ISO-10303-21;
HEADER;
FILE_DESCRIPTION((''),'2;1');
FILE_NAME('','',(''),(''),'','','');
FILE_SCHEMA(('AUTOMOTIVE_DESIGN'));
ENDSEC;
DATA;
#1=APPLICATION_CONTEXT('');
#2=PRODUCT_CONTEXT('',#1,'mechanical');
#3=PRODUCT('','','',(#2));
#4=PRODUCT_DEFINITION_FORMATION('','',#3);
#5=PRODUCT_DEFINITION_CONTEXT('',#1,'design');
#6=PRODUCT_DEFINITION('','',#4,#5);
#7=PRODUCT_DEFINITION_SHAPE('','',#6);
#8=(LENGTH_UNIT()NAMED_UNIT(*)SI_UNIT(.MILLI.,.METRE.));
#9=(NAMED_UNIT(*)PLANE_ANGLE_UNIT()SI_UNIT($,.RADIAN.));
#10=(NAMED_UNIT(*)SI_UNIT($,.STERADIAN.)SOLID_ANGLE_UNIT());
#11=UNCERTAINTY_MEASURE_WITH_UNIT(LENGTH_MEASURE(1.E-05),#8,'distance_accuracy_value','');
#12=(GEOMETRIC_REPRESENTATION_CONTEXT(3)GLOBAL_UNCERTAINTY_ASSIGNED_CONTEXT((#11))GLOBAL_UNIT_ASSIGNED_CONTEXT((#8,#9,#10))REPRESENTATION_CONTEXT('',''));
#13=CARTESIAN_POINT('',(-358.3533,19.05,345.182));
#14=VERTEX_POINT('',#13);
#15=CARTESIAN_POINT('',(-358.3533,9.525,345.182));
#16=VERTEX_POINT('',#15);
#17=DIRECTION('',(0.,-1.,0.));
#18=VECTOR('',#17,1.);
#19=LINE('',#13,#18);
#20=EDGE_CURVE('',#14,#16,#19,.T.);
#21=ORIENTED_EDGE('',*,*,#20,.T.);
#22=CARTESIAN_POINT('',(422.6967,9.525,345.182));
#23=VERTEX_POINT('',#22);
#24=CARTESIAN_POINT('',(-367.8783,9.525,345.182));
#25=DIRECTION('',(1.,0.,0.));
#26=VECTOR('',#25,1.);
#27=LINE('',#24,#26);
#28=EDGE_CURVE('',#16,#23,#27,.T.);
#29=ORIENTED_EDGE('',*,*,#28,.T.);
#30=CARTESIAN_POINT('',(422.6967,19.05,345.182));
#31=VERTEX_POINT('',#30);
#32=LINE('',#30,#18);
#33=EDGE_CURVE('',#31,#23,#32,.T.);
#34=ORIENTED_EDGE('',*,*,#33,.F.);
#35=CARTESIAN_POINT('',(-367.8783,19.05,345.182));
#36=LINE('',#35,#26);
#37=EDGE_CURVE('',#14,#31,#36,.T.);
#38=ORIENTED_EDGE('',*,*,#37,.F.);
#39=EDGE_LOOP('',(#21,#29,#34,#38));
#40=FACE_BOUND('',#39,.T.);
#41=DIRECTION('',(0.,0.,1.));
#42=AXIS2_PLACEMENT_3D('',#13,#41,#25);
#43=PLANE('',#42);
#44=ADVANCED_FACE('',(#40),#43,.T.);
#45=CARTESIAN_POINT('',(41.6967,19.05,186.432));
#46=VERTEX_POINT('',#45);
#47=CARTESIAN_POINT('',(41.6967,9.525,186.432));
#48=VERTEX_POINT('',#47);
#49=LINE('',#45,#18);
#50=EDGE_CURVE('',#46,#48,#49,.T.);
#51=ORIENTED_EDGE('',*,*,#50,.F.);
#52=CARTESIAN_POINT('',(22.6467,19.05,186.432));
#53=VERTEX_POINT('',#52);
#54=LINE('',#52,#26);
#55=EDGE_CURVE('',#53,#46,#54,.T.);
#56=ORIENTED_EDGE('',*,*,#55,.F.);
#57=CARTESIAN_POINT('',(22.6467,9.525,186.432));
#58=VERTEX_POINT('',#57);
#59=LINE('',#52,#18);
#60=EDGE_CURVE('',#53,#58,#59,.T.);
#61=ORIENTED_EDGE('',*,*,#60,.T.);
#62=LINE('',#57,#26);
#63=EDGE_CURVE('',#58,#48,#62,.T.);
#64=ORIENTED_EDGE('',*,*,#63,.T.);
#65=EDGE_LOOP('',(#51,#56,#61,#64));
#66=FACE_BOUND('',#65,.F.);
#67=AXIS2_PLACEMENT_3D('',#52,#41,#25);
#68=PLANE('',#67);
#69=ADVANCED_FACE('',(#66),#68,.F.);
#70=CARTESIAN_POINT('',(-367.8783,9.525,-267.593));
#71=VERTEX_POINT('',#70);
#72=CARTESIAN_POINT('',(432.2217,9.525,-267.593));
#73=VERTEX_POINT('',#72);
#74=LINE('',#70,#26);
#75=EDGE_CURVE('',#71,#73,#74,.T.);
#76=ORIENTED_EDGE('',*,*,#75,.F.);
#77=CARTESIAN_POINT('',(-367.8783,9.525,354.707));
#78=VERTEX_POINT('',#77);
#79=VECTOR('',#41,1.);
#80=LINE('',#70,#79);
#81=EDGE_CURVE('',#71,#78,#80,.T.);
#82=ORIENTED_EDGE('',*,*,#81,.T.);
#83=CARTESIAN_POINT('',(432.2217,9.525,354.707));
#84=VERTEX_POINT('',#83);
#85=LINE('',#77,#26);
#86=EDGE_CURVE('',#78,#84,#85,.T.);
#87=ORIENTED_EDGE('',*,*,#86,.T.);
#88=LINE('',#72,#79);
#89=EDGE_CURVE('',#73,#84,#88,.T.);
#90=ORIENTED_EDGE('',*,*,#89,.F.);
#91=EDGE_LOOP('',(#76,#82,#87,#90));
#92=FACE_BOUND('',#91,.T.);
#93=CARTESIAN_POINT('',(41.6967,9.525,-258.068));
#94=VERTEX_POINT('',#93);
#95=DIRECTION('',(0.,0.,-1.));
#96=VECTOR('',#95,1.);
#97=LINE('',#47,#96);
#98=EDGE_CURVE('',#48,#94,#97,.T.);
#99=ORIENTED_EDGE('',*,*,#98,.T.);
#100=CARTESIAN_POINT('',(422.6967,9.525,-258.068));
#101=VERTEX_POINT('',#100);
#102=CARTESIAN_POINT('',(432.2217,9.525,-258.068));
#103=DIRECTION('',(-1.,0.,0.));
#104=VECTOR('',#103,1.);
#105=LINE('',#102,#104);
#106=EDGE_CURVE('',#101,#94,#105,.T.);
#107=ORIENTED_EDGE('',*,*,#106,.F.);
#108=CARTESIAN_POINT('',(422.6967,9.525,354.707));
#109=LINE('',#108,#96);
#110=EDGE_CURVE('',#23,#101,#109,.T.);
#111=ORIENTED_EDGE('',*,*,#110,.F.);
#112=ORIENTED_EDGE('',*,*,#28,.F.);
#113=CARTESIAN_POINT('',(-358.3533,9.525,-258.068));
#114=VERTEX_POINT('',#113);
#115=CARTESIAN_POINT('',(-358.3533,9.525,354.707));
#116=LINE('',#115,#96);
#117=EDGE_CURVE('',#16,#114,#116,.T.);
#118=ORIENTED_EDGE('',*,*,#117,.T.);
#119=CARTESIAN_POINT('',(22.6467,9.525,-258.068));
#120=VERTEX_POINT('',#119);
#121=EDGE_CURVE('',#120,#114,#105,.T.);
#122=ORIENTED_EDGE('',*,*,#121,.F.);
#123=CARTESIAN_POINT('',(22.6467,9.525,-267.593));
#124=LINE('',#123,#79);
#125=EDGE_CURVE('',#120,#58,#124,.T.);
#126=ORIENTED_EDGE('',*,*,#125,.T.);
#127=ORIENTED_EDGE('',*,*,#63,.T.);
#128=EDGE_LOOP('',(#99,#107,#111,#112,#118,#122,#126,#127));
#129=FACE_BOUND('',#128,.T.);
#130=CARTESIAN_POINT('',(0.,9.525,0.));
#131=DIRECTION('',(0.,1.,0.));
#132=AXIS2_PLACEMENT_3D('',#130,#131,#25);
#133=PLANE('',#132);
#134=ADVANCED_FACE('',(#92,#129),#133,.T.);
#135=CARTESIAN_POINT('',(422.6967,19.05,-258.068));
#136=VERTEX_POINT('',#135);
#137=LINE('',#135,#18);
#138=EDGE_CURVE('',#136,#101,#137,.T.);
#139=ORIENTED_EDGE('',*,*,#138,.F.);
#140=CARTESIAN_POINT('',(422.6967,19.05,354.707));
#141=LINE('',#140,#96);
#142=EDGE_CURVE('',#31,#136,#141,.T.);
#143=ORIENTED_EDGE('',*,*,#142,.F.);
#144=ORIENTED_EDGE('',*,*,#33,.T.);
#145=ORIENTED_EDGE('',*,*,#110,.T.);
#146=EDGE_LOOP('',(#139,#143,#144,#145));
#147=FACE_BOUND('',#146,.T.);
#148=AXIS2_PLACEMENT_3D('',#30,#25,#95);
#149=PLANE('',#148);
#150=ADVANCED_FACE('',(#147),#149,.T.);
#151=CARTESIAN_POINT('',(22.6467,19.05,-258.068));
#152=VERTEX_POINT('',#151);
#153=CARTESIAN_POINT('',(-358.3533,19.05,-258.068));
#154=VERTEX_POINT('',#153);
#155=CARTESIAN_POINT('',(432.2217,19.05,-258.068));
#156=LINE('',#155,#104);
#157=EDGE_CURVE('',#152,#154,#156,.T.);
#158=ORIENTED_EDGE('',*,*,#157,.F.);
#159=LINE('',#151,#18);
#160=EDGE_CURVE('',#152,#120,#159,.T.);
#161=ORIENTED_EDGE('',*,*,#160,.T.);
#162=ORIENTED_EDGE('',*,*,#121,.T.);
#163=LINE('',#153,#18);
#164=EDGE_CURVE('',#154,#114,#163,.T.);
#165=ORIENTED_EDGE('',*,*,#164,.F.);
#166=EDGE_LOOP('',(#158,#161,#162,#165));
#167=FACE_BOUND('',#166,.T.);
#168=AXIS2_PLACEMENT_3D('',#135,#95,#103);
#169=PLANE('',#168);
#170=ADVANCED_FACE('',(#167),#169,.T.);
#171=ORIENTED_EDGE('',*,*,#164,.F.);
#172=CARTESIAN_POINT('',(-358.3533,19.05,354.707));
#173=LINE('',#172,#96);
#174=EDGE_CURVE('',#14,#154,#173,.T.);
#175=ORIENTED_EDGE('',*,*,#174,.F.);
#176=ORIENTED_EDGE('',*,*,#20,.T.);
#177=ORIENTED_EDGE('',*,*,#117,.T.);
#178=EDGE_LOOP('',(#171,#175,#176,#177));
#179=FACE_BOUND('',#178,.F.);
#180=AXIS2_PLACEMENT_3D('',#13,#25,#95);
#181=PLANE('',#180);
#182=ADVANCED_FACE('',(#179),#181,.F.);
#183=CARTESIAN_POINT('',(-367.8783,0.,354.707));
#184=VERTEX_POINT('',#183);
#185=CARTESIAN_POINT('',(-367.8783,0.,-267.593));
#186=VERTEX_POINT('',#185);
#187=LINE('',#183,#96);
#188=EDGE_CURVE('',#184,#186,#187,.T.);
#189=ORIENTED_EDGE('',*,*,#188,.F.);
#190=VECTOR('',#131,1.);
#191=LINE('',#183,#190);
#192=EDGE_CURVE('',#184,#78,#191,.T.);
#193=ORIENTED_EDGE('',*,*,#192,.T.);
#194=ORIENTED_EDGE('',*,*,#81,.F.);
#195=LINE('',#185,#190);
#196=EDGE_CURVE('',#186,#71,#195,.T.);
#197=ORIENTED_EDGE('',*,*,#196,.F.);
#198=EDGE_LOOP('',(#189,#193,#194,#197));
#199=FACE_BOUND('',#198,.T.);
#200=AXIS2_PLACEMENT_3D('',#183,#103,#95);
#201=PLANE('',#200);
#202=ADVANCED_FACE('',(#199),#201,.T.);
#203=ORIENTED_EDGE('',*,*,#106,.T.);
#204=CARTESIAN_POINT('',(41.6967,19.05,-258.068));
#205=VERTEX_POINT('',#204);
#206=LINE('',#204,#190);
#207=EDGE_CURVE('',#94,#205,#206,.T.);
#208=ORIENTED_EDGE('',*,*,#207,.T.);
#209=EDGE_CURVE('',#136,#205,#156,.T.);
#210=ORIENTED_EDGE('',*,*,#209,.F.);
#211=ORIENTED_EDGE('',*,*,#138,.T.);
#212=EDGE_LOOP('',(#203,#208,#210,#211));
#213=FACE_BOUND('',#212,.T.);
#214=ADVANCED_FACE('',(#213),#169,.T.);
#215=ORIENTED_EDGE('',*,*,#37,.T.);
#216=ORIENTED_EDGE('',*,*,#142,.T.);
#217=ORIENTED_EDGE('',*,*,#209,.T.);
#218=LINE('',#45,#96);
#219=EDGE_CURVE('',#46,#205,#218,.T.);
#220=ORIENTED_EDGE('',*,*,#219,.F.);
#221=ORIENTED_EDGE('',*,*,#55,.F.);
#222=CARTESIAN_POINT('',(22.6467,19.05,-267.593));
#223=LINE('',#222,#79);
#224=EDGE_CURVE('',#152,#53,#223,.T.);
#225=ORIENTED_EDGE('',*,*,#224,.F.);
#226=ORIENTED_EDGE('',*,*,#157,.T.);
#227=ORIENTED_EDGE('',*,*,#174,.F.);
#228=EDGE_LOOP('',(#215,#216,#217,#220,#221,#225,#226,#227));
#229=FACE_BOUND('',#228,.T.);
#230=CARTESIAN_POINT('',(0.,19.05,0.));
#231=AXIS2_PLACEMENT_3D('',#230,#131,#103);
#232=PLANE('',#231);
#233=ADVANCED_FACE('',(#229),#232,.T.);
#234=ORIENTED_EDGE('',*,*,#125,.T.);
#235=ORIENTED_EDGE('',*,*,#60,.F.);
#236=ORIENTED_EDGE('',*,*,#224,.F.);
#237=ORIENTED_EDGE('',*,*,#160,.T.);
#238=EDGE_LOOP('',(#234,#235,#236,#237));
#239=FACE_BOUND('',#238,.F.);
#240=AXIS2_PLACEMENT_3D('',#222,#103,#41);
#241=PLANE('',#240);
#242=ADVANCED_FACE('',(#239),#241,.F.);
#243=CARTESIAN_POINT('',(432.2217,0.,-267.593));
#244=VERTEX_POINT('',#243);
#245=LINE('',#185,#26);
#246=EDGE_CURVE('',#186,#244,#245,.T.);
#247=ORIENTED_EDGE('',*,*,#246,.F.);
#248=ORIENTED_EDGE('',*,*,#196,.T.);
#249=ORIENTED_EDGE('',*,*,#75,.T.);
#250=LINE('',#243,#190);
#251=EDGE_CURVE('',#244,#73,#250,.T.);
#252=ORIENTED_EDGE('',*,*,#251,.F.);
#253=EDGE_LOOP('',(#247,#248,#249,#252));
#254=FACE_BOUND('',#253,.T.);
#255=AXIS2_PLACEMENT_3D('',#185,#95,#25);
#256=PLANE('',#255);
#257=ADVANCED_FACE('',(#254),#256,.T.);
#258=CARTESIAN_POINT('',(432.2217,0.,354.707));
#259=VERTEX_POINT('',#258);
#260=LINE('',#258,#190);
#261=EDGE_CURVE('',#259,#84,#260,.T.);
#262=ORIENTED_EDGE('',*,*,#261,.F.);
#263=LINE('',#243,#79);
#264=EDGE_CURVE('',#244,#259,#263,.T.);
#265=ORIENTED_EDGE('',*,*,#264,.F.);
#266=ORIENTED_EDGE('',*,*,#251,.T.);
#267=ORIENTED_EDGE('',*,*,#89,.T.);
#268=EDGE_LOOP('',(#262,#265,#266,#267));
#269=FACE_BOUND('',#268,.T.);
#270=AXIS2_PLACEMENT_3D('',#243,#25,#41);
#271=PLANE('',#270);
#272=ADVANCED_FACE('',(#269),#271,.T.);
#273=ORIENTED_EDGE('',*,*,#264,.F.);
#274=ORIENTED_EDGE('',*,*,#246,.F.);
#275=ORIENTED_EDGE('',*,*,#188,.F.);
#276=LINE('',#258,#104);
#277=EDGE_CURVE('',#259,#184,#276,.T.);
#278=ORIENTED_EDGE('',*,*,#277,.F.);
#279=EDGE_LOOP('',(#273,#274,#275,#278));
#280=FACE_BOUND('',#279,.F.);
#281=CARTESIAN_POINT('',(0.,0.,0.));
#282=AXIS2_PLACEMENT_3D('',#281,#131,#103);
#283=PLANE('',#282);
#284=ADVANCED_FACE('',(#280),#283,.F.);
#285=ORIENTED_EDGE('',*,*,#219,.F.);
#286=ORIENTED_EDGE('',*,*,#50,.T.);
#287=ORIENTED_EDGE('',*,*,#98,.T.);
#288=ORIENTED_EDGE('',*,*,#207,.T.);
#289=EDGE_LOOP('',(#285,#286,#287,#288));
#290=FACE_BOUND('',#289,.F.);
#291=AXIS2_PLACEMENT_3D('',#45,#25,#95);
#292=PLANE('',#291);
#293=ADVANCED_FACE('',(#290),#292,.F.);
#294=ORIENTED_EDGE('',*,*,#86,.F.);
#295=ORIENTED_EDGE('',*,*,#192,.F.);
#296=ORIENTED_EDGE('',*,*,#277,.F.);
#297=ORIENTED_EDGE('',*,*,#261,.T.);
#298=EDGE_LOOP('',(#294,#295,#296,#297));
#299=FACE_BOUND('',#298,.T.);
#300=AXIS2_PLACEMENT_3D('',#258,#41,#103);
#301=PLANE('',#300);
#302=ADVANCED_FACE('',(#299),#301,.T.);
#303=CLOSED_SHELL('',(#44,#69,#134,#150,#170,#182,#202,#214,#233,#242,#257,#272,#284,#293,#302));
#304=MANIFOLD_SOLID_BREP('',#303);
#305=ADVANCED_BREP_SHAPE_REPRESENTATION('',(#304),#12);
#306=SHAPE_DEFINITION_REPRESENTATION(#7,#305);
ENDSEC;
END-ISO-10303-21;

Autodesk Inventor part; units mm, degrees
ref_plane "YZ Plane" through (0, 0, 0) normal (1, 0, 0) x (0, 1, 0)
ref_plane "XZ Plane" through (0, 0, 0) normal (0, 1, 0) x (-1, 0, 0)
ref_plane "XY Plane" through (0, 0, 0) normal (0, 0, 1) x (1, 0, 0)
sketch "Sketch1" plane through (0, 0, 0) normal (0, 1, 0) x (-1, 0, 0)
  line L0 (367.8783, -267.593) -> (-432.2217, -267.593)
  line L1 (-432.2217, -267.593) -> (-432.2217, 354.707)
  line L2 (-432.2217, 354.707) -> (367.8783, 354.707)
  line L3 (367.8783, 354.707) -> (367.8783, -267.593)
  point P0 (0, 0)
  dimension "d0" = 622.3
  dimension "d1" = 800.1
extrude "Board" add sketch "Sketch1" along normal blind 19.05
sketch "Sketch3" plane through (0, 19.05, 0) normal (0, 1, 0) x (1, 0, 0)
  line L0 (432.2217, -354.707) -> (432.2217, 267.593) projected
  line L1 (22.6467, -186.432) -> (41.6967, -186.432)
  line L2 (41.6967, -186.432) -> (41.6967, 267.593)
  line L3 (41.6967, 267.593) -> (22.6467, 267.593)
  line L4 (22.6467, 267.593) -> (22.6467, -186.432)
  line L5 (432.2217, 267.593) -> (-367.8783, 267.593) projected
  line L6 (-367.8783, 267.593) -> (-367.8783, -354.707) projected
  point P0 (0, 0)
  dimension "d17" = 19.05
  dimension "d26" = 454.025
  dimension "d27" = 390.525
extrude "Vertical Wall Dado Cuts" cut sketch "Sketch3" against normal blind 9.525
sketch "Sketch5" plane through (0, 19.05, 0) normal (0, 1, 0) x (1, 0, 0)
  line L0 (-367.8783, -354.707) -> (432.2217, -354.707) projected
  line L1 (432.2217, -354.707) -> (422.6967, -354.707)
  line L2 (422.6967, -354.707) -> (422.6967, 267.593)
  line L3 (422.6967, 267.593) -> (432.2217, 267.593)
  line L4 (432.2217, 267.593) -> (432.2217, -354.707)
  line L5 (432.2217, 267.593) -> (-367.8783, 267.593) projected
  line L6 (-367.8783, -354.707) -> (-358.3533, -354.707)
  line L7 (-358.3533, -354.707) -> (-358.3533, 267.593)
  line L8 (-358.3533, 267.593) -> (-367.8783, 267.593)
  line L9 (-367.8783, 267.593) -> (-367.8783, -354.707)
  line L10 (432.2217, 267.593) -> (-367.8783, 267.593) projected
  line L11 (432.2217, -354.707) -> (-367.8783, -354.707)
  line L12 (-367.8783, -354.707) -> (-367.8783, -345.182)
  line L13 (-367.8783, -345.182) -> (432.2217, -345.182)
  line L14 (432.2217, -345.182) -> (432.2217, -354.707)
  line L15 (-367.8783, 267.593) -> (432.2217, 267.593)
  line L16 (432.2217, 267.593) -> (432.2217, 258.068)
  line L17 (432.2217, 258.068) -> (-367.8783, 258.068)
  line L18 (-367.8783, 258.068) -> (-367.8783, 267.593)
  line L19 (432.2217, -354.707) -> (432.2217, 267.593) projected
  point P0 (0, 0)
  point P1 (422.6967, 267.593)
  point P2 (22.6467, 267.593)
  point P3 (-348.8283, 267.593)
  dimension "d22" = 9.525
extrude "Perimeter rabbit dado" cut sketch "Sketch5" against normal blind 9.525 contours L9 L13 L7 L0 | L7 L13 L2 L0 | L9 L17 L7 L13 | L2 L13 L4 L0 | L9 L5 L7 L17 | L2 L17 L4 L13 | L7 L5 L2 L17 | L2 L3 L4 L17
equation "\"d27\" = -0.5 * d17 + 0.5 * d1"
properties part number "Top"
